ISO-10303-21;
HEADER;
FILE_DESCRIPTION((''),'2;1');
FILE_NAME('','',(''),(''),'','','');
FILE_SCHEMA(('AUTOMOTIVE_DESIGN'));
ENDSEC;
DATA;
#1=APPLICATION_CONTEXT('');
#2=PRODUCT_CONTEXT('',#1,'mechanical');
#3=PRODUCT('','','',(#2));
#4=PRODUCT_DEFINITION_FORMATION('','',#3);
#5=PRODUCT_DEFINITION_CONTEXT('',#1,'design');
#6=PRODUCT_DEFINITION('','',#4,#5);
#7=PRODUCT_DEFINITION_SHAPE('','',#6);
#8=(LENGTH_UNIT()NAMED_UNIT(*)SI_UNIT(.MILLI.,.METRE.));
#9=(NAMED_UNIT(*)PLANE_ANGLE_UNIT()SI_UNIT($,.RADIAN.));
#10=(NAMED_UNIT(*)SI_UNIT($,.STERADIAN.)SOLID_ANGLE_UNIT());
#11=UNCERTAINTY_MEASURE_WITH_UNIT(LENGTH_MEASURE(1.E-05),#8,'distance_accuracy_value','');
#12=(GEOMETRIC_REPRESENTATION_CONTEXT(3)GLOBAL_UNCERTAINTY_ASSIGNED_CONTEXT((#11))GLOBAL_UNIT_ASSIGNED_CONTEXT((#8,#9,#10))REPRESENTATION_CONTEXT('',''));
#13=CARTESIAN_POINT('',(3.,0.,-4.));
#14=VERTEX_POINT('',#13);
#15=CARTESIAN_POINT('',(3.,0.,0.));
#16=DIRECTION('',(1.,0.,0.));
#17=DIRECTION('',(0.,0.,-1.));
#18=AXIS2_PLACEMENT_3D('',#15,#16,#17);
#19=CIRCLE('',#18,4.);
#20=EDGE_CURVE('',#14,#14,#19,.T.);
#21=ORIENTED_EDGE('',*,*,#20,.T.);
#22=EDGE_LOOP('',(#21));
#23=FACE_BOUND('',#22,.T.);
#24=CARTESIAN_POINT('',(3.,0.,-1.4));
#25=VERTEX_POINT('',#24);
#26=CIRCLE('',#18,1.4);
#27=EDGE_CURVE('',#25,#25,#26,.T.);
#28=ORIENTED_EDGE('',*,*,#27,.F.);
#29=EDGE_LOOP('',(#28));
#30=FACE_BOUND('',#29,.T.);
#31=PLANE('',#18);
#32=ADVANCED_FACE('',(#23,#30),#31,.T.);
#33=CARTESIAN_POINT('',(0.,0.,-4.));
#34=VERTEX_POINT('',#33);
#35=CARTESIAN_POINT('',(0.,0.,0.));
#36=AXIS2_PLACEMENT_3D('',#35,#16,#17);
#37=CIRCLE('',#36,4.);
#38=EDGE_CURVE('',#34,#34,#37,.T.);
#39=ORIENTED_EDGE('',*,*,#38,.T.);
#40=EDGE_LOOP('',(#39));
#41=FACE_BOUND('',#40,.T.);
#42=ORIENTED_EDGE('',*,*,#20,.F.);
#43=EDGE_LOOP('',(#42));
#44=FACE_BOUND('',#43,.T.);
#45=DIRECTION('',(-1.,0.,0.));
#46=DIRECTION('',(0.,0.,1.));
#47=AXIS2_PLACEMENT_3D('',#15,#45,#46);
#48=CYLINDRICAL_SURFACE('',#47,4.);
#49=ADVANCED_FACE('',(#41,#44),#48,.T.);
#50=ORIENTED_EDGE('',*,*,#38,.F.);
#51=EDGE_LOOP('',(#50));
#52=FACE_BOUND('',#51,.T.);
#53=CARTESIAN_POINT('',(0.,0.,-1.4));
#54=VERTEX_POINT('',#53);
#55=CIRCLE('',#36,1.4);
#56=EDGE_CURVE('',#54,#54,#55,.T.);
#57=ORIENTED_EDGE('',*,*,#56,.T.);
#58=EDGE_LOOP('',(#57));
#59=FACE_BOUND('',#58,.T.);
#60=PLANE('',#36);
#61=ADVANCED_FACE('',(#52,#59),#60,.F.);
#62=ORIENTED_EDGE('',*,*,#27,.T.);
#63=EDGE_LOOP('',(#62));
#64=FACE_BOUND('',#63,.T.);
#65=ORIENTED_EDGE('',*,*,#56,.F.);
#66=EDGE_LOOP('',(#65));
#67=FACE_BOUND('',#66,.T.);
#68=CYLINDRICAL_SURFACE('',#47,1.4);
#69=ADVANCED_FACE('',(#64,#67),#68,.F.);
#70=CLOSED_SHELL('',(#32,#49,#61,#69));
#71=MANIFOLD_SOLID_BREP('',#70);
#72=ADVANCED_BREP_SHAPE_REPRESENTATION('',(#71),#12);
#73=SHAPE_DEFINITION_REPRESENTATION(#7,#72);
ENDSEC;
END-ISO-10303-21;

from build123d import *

# Parameters (mm, degrees)
CROQUIS2_R              = 4
CROQUIS2_R_2            = 1.4
SALIENTE_EXTRUIR1_DEPTH = 3


with BuildPart() as part:
    # Croquis2 → Saliente-Extruir1 (new body)
    with BuildSketch(Plane(origin=(0, 0, 0), x_dir=(0, 0, -1), z_dir=(1, 0, 0))):
        Circle(CROQUIS2_R)
        Circle(CROQUIS2_R_2, mode=Mode.SUBTRACT)
    extrude(amount=SALIENTE_EXTRUIR1_DEPTH)


solid = part.part
